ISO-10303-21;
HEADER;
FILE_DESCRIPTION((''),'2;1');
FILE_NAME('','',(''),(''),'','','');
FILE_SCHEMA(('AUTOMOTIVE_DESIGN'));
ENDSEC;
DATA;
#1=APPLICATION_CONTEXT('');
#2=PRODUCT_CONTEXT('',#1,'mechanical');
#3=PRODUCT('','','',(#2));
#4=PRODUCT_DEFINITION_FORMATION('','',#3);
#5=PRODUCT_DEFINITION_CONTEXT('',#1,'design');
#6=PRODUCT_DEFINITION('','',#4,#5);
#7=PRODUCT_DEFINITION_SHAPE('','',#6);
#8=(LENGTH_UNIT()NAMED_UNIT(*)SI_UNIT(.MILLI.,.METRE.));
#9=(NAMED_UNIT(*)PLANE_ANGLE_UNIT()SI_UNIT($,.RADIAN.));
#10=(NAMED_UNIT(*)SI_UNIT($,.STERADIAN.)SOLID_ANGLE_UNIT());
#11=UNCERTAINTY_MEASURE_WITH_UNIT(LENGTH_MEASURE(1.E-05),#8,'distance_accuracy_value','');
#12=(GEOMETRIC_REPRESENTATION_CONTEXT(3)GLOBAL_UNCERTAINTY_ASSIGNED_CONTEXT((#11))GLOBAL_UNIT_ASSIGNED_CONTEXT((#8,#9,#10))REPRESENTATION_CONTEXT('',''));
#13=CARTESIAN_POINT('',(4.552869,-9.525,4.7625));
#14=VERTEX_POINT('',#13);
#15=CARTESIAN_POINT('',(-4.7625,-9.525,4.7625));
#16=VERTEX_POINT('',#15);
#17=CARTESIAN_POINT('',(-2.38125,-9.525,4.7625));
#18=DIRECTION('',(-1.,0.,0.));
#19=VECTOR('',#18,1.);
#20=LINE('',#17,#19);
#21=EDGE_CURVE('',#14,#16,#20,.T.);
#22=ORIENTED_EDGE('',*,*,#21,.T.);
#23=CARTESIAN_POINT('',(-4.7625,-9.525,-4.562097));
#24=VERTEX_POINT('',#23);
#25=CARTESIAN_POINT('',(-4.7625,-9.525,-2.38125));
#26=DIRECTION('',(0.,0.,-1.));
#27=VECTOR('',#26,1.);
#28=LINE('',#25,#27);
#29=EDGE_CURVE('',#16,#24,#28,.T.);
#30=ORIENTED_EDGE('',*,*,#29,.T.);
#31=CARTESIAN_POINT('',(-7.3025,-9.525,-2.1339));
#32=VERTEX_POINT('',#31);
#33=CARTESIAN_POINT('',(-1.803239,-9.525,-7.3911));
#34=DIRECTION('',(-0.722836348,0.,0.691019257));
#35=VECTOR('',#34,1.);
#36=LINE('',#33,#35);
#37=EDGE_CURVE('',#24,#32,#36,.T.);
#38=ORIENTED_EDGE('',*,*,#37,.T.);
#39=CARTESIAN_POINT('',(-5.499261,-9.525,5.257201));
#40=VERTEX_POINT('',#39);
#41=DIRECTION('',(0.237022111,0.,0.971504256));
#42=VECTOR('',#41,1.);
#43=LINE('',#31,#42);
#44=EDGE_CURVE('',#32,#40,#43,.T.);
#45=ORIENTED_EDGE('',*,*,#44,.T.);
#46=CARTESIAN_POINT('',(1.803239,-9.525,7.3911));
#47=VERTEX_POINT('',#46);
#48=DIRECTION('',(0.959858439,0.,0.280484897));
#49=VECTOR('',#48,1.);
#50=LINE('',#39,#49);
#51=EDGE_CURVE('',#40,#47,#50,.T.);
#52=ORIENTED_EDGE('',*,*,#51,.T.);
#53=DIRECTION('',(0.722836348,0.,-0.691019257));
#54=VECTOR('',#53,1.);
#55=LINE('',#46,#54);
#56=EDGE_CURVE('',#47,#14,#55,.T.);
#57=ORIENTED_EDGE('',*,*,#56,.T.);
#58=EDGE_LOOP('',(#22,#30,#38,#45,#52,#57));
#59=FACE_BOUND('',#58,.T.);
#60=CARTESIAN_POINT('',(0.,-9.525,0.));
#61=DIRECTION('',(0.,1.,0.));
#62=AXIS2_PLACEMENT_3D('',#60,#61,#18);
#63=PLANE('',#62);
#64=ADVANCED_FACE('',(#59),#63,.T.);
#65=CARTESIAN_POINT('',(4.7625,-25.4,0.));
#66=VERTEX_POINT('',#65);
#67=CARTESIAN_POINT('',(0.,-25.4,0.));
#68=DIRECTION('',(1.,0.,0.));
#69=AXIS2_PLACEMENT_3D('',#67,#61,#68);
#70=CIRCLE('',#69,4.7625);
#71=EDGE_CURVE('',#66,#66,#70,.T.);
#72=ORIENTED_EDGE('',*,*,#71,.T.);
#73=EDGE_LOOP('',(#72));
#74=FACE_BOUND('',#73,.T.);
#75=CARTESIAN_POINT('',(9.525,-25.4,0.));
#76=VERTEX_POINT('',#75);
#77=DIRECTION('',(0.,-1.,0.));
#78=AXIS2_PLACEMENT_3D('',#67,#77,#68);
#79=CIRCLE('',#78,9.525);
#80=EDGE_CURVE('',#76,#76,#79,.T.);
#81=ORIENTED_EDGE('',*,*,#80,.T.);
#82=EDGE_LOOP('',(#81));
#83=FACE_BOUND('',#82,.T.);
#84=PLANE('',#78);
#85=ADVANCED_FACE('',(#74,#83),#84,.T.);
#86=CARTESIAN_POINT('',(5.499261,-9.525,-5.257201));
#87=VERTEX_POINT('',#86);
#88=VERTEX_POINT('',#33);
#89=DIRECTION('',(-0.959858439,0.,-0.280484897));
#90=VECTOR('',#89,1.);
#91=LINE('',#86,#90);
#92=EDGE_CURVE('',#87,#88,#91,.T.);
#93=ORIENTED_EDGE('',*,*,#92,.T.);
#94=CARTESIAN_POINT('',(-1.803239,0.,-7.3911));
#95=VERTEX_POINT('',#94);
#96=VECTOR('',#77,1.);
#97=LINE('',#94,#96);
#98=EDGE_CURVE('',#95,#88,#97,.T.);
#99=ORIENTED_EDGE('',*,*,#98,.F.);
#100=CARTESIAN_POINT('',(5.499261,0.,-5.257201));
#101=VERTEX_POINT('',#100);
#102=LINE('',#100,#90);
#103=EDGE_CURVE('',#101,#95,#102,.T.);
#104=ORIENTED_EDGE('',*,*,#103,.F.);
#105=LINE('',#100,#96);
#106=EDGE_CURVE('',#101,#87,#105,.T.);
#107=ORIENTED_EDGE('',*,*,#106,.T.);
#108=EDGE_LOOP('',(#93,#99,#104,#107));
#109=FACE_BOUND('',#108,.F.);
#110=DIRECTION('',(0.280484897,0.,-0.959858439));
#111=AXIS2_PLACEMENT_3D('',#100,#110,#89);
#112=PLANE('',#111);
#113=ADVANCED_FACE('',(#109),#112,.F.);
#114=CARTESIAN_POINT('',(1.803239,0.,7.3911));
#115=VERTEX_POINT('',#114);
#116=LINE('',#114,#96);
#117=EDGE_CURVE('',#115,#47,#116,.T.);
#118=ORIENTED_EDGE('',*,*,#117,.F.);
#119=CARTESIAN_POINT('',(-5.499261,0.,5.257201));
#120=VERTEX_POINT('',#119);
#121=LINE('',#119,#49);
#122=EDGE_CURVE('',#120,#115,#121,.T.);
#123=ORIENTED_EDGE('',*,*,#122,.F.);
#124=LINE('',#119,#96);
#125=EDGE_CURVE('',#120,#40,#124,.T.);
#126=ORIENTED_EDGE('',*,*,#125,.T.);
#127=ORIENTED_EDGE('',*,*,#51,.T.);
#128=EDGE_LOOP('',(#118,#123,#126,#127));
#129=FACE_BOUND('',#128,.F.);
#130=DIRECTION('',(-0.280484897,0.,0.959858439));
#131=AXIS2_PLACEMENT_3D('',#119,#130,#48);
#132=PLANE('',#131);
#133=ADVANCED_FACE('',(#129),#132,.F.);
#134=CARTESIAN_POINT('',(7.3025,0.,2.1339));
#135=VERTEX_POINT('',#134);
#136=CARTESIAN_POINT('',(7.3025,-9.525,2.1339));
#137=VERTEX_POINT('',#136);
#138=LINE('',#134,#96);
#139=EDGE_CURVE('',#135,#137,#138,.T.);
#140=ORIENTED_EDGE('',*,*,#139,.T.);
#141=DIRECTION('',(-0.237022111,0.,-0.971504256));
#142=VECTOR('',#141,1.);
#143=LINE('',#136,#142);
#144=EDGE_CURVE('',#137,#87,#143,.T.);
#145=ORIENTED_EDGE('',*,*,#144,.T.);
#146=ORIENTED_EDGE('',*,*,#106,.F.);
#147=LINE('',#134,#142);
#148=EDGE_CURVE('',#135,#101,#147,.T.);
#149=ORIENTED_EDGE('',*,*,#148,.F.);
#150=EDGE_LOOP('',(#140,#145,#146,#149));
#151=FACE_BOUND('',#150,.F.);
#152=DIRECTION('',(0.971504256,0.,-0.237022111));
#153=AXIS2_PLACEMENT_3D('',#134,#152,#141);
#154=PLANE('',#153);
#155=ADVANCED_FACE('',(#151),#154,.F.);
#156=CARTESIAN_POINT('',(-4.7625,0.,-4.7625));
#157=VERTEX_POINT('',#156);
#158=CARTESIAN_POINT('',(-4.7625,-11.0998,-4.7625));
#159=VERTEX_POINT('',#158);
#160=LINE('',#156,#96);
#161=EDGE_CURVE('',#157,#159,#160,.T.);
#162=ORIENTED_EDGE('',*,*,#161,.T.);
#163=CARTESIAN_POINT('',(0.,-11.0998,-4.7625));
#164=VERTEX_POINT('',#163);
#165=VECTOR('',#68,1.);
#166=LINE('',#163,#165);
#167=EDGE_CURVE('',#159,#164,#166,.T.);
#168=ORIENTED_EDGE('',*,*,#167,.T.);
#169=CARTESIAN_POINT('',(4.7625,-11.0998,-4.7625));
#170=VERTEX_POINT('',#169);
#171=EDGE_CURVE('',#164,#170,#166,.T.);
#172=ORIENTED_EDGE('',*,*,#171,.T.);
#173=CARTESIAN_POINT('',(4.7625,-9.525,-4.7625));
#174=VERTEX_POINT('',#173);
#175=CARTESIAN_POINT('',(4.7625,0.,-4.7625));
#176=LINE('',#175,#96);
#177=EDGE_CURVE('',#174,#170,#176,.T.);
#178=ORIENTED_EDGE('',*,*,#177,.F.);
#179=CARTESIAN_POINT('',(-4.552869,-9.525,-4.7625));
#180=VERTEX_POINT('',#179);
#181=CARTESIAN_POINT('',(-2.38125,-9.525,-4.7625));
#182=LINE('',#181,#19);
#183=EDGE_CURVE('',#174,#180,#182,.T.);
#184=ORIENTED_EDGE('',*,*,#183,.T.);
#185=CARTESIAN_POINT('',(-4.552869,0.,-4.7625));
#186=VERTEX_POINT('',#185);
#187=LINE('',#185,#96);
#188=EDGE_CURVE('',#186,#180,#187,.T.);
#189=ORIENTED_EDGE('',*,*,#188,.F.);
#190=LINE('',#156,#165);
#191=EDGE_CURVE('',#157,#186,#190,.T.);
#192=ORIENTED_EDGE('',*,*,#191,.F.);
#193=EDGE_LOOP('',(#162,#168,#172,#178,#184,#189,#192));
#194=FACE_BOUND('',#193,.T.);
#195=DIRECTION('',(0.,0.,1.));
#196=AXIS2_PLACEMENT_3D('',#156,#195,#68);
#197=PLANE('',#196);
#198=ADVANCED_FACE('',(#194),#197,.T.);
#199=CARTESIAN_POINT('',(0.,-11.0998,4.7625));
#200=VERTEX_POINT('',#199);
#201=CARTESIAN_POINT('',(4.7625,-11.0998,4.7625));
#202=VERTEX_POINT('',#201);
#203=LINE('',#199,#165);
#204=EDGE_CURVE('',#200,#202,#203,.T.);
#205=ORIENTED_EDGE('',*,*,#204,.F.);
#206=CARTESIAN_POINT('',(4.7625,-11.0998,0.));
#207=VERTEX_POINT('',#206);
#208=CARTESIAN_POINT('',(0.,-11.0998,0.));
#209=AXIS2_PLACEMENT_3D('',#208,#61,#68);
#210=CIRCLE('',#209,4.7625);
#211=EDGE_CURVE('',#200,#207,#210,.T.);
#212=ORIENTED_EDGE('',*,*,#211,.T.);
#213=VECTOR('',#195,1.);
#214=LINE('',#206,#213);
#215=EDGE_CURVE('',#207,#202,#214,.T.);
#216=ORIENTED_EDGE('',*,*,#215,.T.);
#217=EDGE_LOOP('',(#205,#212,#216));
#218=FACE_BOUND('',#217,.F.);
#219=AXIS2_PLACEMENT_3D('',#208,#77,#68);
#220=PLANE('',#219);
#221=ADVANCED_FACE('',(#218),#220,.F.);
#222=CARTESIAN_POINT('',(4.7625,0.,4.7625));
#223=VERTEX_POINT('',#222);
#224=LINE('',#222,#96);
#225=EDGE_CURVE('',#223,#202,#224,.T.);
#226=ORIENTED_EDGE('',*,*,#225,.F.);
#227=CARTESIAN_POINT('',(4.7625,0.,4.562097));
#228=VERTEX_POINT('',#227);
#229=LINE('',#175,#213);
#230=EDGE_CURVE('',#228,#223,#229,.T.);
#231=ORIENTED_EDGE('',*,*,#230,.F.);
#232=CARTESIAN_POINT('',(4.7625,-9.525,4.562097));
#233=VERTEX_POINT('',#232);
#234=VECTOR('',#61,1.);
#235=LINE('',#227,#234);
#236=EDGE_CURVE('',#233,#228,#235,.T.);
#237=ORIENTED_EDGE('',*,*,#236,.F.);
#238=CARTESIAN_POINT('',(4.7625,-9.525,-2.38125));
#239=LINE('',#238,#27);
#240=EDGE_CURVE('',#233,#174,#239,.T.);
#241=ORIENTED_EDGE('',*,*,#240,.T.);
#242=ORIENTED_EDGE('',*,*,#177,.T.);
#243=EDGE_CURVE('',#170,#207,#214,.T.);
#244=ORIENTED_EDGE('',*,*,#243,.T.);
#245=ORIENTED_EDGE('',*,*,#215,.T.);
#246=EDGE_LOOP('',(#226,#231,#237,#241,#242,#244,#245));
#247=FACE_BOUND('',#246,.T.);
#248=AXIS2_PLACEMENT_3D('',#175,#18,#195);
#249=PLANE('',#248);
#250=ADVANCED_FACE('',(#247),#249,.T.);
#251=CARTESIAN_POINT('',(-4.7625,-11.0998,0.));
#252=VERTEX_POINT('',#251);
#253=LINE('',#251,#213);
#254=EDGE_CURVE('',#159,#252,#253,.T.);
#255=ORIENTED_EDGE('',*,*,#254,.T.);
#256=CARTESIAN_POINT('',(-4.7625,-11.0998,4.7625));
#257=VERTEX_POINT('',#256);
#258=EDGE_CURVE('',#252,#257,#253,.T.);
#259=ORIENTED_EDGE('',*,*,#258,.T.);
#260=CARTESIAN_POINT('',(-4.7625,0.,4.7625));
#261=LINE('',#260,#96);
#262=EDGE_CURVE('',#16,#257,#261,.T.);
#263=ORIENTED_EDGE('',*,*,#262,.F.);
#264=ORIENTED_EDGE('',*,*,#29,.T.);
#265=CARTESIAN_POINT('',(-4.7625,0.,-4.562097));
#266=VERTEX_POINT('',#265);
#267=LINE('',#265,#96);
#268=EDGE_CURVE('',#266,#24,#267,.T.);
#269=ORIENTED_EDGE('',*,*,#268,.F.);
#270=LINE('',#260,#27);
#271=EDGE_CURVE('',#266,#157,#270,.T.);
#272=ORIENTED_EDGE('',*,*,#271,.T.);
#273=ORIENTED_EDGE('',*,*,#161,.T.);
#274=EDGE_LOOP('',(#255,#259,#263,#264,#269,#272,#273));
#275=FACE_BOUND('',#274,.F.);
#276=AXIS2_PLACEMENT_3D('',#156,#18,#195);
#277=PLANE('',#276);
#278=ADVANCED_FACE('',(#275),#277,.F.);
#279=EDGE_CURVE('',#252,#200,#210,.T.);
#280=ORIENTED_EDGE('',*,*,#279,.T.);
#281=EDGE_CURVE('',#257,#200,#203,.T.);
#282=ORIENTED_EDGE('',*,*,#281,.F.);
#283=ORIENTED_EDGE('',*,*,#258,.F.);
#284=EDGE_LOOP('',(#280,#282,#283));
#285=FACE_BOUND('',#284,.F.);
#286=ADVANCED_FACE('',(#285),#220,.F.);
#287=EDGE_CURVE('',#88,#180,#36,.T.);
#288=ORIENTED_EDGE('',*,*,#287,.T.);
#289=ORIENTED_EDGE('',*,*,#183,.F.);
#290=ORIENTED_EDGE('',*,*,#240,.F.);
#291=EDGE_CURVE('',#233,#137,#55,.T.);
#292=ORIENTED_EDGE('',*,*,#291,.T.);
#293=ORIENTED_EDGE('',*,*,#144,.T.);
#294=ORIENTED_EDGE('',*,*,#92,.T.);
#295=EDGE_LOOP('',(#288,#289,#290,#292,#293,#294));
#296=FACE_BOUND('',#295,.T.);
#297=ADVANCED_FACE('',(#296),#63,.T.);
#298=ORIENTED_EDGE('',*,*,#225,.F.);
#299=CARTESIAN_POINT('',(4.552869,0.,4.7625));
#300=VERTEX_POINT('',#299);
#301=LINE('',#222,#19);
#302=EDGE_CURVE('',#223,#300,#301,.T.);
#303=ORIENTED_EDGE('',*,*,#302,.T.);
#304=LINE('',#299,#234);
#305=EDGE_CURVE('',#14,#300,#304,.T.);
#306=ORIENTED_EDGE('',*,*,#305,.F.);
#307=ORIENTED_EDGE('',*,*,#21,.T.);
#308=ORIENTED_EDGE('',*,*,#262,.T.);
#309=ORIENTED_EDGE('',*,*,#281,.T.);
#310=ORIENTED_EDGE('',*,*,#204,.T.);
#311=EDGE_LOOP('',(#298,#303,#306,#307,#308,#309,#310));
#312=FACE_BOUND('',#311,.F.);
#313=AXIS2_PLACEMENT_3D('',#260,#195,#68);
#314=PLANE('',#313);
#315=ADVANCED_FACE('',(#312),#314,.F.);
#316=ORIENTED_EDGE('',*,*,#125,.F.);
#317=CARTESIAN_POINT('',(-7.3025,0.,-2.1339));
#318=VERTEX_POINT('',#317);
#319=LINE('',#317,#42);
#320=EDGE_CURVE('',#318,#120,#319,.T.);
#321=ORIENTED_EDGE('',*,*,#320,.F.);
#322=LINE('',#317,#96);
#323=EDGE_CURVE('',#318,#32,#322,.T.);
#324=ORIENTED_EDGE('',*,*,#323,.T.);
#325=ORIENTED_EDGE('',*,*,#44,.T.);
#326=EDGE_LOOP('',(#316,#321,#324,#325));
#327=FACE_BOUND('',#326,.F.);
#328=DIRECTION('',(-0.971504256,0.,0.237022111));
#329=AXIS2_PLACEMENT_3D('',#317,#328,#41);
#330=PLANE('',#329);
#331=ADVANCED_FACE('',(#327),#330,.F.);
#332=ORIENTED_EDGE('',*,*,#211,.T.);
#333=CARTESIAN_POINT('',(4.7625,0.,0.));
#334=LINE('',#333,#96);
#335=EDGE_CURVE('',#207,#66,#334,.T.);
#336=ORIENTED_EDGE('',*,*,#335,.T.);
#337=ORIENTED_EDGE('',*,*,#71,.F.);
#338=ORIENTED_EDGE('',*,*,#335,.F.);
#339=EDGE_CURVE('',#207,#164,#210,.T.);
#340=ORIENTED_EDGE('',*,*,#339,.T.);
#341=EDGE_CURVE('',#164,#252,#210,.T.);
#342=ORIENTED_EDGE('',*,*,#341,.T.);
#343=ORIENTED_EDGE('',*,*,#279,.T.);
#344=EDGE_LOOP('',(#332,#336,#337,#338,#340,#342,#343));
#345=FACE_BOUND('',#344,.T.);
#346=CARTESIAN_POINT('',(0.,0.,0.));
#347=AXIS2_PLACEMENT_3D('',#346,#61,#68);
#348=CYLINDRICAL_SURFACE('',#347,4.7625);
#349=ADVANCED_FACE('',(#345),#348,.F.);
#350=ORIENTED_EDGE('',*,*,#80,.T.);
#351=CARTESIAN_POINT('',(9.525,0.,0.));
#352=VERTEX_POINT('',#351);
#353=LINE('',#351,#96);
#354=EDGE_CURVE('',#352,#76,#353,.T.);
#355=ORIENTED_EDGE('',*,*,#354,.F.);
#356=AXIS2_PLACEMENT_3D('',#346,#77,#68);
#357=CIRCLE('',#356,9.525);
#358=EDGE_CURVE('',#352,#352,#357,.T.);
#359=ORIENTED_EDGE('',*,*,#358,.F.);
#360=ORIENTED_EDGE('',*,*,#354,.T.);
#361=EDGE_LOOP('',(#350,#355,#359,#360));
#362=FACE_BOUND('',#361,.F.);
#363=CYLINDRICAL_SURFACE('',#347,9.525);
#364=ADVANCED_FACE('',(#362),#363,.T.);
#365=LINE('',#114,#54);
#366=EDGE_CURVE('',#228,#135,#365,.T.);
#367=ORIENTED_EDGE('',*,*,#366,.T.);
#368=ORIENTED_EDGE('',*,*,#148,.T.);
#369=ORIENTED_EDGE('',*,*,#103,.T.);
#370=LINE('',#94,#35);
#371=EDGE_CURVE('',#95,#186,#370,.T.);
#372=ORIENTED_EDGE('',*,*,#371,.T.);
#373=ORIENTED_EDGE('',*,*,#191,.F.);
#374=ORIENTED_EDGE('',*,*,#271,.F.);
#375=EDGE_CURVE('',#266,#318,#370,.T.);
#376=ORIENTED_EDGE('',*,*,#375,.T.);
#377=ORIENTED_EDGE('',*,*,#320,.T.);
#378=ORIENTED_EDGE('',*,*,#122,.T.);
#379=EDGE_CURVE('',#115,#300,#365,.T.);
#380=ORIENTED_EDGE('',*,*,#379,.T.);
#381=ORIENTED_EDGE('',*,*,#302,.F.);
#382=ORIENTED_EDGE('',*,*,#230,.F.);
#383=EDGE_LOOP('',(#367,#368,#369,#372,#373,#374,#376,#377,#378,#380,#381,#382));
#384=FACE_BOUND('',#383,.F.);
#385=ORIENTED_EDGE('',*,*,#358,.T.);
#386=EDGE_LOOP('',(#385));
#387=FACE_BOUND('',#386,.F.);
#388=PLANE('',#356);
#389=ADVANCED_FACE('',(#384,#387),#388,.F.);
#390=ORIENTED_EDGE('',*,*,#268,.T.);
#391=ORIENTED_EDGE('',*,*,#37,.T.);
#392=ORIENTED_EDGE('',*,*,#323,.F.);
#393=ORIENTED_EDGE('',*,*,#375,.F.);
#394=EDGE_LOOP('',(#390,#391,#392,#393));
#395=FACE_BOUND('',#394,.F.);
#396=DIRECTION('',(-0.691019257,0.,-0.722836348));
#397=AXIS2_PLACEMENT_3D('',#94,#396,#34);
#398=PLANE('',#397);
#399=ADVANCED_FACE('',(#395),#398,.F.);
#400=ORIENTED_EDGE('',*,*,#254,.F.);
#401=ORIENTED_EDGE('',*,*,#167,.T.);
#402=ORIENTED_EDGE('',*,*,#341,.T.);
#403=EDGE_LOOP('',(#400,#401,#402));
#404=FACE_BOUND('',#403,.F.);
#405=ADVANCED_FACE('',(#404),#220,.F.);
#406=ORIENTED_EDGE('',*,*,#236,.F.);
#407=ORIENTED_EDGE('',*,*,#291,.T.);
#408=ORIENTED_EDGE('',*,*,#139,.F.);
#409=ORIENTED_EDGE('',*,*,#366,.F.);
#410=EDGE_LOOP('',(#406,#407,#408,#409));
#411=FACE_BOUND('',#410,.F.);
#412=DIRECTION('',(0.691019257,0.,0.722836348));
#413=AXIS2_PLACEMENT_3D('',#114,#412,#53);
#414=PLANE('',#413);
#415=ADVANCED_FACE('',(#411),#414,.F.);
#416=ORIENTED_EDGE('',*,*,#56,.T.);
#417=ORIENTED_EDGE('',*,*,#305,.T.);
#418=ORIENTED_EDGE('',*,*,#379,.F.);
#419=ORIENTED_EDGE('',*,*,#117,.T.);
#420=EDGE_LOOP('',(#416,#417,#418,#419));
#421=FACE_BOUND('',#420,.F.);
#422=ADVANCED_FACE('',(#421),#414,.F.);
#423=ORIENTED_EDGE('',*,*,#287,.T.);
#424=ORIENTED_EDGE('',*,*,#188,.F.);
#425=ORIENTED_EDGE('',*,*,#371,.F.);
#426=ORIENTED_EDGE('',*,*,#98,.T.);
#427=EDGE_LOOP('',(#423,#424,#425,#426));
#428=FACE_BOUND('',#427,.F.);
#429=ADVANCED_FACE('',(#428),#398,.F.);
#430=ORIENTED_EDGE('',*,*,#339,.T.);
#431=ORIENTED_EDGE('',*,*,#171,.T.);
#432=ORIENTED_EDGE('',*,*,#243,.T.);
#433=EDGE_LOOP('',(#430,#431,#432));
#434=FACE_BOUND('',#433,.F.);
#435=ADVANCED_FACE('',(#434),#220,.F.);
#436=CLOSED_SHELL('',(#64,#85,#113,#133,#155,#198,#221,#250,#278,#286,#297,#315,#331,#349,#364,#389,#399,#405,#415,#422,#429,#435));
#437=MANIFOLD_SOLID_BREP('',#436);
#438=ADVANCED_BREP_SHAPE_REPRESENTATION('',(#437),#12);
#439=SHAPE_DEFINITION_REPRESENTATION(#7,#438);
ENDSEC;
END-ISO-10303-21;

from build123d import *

# Parameters (mm, degrees)
F0_R     = 9.525
F1_DEPTH = 25.4
F3_R     = 4.7625
F4_DEPTH = 25.401
F2_W     = 9.525
F2_H     = 9.525
F5_DEPTH = 11.0998
F7_DEPTH = 9.525


with BuildPart() as f1:
    # F0 (on Front) → F1 (new body)
    with BuildSketch(Plane.XZ):
        Circle(F0_R)
    extrude(amount=F1_DEPTH)

    # F3 (on Front) → F4 (cut, through all)
    with BuildSketch(Plane.XZ):
        Circle(F3_R)
    extrude(amount=F4_DEPTH, mode=Mode.SUBTRACT)

    # F2 (on Front) → F5 (cut)
    with BuildSketch(Plane.XZ):
        Rectangle(F2_W, F2_H)
    extrude(amount=F5_DEPTH, mode=Mode.SUBTRACT)

    # F6 (on face) → F7 (cut)
    with BuildSketch(Plane(origin=(0, 0, 0), x_dir=(-1, 0, 0), z_dir=(0, 1, 0))):
        Polygon((-1.803239, 7.3911), (-7.3025, 2.1339), (-5.499261, -5.257201), (1.803239, -7.3911), (7.3025, -2.1339), (5.499261, 5.257201), align=None)
    extrude(amount=-F7_DEPTH, mode=Mode.SUBTRACT)


solid = f1.part
